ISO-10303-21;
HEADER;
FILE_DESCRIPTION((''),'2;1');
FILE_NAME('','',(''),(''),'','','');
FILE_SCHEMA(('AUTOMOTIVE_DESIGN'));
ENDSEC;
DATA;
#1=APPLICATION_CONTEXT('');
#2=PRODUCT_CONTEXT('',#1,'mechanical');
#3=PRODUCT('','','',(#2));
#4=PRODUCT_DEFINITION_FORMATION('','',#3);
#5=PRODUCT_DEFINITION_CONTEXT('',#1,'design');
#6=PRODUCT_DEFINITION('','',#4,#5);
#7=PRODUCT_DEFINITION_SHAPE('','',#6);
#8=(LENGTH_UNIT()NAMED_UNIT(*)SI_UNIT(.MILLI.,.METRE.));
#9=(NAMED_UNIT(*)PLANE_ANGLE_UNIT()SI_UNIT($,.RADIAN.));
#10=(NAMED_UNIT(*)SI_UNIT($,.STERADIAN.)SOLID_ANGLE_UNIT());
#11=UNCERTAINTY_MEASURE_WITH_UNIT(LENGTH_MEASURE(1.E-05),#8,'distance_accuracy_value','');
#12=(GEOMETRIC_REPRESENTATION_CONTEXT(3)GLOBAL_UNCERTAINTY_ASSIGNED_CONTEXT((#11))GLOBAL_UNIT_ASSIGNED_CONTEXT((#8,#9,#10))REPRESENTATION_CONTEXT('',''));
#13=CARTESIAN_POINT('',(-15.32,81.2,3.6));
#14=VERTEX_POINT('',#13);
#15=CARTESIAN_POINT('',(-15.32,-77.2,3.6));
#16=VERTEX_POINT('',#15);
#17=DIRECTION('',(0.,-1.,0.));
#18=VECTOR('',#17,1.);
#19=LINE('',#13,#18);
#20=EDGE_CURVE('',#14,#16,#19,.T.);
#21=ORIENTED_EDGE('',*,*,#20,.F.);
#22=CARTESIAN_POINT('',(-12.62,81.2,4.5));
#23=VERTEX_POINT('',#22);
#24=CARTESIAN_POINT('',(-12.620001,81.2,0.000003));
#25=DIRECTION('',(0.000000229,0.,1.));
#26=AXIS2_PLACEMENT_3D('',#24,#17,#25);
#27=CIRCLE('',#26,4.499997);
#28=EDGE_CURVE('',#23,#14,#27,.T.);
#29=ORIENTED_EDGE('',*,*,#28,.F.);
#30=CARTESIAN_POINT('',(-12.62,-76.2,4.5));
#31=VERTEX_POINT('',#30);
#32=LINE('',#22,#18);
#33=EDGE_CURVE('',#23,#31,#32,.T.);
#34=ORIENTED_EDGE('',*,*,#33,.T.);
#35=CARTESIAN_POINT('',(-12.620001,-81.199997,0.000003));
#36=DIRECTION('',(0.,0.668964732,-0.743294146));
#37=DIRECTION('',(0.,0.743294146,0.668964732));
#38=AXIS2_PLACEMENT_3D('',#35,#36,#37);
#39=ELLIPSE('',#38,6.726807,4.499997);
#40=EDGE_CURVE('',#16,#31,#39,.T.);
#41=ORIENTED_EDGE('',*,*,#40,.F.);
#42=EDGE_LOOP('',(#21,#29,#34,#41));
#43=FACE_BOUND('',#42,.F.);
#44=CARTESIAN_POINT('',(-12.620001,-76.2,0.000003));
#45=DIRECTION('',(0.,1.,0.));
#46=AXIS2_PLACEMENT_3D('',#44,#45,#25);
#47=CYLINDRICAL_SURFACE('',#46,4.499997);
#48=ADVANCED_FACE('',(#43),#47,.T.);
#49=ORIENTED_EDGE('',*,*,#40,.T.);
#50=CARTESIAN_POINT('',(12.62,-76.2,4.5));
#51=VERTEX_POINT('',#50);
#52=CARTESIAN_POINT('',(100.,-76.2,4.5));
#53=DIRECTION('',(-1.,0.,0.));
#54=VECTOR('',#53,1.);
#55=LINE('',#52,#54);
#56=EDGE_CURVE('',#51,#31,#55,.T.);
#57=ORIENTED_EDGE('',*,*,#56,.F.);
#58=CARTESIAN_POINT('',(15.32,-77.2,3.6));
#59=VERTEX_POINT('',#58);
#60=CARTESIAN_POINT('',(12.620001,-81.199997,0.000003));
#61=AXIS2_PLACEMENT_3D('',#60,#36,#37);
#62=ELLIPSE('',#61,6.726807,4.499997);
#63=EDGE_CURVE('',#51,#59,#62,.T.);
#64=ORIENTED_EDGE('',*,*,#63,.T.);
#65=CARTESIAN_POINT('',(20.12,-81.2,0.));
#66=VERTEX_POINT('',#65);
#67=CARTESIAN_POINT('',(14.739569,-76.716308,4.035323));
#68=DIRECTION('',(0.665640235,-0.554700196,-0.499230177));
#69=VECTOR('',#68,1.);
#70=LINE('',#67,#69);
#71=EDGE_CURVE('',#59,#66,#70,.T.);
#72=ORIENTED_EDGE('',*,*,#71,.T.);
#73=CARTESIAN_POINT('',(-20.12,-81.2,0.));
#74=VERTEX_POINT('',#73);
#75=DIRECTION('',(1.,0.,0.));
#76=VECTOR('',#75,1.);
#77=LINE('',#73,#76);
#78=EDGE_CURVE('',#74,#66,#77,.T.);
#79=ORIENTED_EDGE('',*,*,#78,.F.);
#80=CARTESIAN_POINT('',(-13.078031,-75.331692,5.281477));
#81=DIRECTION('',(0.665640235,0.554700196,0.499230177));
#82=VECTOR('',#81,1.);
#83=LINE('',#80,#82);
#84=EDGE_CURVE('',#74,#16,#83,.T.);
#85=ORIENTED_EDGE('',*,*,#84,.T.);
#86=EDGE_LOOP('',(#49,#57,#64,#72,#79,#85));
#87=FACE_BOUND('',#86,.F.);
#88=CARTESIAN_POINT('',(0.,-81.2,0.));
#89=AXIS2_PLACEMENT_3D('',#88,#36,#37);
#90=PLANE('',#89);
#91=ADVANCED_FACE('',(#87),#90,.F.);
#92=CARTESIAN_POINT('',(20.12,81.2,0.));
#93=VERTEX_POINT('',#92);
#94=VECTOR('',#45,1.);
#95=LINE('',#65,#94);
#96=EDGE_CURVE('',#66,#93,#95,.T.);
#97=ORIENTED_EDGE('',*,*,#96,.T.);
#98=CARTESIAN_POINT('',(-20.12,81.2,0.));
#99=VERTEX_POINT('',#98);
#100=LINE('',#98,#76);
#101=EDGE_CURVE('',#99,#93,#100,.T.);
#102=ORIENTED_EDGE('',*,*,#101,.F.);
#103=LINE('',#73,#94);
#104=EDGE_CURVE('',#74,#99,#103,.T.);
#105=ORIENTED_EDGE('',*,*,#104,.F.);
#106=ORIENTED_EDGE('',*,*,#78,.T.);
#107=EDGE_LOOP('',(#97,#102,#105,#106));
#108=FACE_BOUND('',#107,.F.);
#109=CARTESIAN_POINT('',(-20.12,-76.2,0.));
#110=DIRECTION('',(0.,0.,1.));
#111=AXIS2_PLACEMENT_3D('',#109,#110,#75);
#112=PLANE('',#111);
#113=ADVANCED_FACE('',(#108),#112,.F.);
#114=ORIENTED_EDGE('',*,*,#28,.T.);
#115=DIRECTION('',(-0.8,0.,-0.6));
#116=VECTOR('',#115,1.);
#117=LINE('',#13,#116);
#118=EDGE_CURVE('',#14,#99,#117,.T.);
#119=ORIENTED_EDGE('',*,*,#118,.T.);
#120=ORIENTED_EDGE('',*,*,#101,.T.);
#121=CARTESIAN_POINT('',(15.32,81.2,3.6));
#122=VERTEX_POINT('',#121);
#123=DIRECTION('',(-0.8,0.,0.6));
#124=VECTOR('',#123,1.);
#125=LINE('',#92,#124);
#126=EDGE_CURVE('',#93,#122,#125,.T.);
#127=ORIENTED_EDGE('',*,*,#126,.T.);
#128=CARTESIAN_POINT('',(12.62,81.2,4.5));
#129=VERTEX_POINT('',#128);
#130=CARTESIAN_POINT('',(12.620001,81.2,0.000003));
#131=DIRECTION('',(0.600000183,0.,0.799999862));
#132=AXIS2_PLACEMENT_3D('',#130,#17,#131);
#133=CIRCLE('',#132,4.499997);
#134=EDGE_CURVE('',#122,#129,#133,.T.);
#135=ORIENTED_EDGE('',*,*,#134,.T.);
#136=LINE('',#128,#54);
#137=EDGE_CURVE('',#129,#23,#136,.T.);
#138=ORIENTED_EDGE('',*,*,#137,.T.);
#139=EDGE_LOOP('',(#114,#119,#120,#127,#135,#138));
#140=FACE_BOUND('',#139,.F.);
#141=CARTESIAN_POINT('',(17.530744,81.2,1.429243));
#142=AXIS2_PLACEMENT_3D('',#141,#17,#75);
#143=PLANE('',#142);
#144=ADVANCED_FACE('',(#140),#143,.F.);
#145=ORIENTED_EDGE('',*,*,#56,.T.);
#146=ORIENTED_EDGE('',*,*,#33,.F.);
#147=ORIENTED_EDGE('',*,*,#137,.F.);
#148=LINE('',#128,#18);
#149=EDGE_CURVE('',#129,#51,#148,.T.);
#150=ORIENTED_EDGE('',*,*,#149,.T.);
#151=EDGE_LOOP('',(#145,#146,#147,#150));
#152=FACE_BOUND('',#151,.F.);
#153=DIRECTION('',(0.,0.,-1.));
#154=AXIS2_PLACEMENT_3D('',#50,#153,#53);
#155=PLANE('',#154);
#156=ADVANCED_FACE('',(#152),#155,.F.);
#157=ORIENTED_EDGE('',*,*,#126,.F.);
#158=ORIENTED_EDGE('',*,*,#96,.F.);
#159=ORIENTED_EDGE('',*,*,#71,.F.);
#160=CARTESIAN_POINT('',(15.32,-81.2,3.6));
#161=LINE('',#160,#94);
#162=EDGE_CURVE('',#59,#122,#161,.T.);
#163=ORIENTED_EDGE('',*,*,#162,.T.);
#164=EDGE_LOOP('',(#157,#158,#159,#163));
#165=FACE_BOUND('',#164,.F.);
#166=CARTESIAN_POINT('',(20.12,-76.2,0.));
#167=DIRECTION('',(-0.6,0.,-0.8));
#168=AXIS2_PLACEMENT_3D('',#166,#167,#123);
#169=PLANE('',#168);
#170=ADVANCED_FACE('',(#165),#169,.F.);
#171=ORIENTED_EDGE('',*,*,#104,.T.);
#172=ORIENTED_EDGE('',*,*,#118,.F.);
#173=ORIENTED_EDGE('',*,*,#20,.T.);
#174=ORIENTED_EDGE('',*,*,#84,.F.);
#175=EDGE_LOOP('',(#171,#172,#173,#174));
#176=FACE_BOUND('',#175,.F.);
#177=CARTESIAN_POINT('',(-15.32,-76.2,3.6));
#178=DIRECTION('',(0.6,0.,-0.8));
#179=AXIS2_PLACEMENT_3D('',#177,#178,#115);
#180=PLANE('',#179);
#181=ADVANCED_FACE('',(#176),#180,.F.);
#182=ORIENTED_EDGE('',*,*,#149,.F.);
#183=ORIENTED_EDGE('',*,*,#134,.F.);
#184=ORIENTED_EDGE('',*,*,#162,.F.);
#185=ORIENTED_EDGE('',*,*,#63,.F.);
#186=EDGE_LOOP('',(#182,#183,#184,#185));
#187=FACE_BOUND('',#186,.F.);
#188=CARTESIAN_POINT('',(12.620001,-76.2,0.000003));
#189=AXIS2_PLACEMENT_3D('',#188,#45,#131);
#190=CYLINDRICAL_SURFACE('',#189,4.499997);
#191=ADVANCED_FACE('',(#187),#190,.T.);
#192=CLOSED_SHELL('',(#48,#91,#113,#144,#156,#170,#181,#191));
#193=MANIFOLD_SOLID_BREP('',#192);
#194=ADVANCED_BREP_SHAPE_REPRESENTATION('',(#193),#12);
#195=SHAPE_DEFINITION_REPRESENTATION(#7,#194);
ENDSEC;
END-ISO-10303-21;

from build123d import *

# Parameters (mm, degrees)
F3_DEPTH = 157.4
F4_DEPTH = 5
F6_DEPTH = 100


with BuildPart() as f3:
    # F2 (on offset) → F3 (new body)
    with BuildSketch(Plane.XZ.offset(76.2)):
        with BuildLine():
            ThreePointArc((15.32, 3.6), (16.644922, 2.012461), (17.12, 0))
            Line((17.12, 0), (20.12, 0))
            Line((20.12, 0), (15.32, 3.6))
        make_face()
        with BuildLine():
            ThreePointArc((-17.12, 0), (-16.644922, 2.012461), (-15.32, 3.6))
            Line((-15.32, 3.6), (-20.12, 0))
            Line((-20.12, 0), (-17.12, 0))
        make_face()
        with BuildLine():
            ThreePointArc((-4.5, 0), (-3.181981, 3.181981), (0, 4.5))
            Line((0, 4.5), (-12.62, 4.5))
            ThreePointArc((-12.62, 4.5), (-9.438019, 3.181981), (-8.12, 0))
            Line((-8.12, 0), (-4.5, 0))
        make_face()
        with BuildLine():
            ThreePointArc((0, 4.5), (3.181981, 3.181981), (4.5, 0))
            Line((4.5, 0), (8.12, 0))
            ThreePointArc((8.12, 0), (9.438019, 3.181981), (12.62, 4.5))
            Line((12.62, 4.5), (0, 4.5))
        make_face()
        with BuildLine():
            ThreePointArc((15.32, 3.6), (14.043025, 4.269075), (12.62, 4.5))
            Line((12.62, 4.5), (12.62, 0))
            Line((12.62, 0), (15.32, 3.6))
        make_face()
        with BuildLine():
            Line((0, 0), (4.5, 0))
            ThreePointArc((4.5, 0), (3.181981, 3.181981), (0, 4.5))
            Line((0, 4.5), (0, 0))
        make_face()
        with BuildLine():
            Line((0, 0), (0, 4.5))
            ThreePointArc((0, 4.5), (-3.181981, 3.181981), (-4.5, 0))
            Line((-4.5, 0), (0, 0))
        make_face()
        with BuildLine():
            Line((12.62, 0), (17.12, 0))
            ThreePointArc((17.12, 0), (16.644922, 2.012461), (15.32, 3.6))
            Line((15.32, 3.6), (12.62, 0))
        make_face()
        with BuildLine():
            ThreePointArc((12.62, 4.5), (9.438019, 3.181981), (8.12, 0))
            Line((8.12, 0), (12.62, 0))
            Line((12.62, 0), (12.62, 4.5))
        make_face()
        with BuildLine():
            Line((-12.62, 0), (-12.62, 4.5))
            ThreePointArc((-12.62, 4.5), (-14.043025, 4.269075), (-15.32, 3.6))
            ThreePointArc((-15.32, 3.6), (-16.644922, 2.012461), (-17.12, 0))
            Line((-17.12, 0), (-12.62, 0))
        make_face()
        with BuildLine():
            ThreePointArc((-8.12, 0), (-9.438019, 3.181981), (-12.62, 4.5))
            Line((-12.62, 4.5), (-12.62, 0))
            Line((-12.62, 0), (-8.12, 0))
        make_face()
    extrude(amount=-F3_DEPTH)

    # F3_face (on face) → F4 (join)
    with BuildSketch(Plane(origin=(0, -76.2, 2.111862), x_dir=(1, 0, 0), z_dir=(0, -1, 0))):
        with BuildLine():
            ThreePointArc((15.32, 1.488138), (14.043025, 2.157213), (12.62, 2.388138))
            Line((12.62, 2.388138), (-12.62, 2.388138))
            ThreePointArc((-12.62, 2.388138), (-14.043025, 2.157213), (-15.32, 1.488138))
            Line((-15.32, 1.488138), (-20.12, -2.111862))
            Line((-20.12, -2.111862), (20.12, -2.111862))
            Line((20.12, -2.111862), (15.32, 1.488138))
        make_face()
    extrude(amount=F4_DEPTH)

    # F5 (on Right) → F6 (cut, symmetric)
    with BuildSketch(Plane.YZ):
        Polygon((-81.2, 4.5), (-81.2, 0), (-76.2, 4.5), align=None)
    extrude(amount=F6_DEPTH, both=True, mode=Mode.SUBTRACT)


solid = f3.part
